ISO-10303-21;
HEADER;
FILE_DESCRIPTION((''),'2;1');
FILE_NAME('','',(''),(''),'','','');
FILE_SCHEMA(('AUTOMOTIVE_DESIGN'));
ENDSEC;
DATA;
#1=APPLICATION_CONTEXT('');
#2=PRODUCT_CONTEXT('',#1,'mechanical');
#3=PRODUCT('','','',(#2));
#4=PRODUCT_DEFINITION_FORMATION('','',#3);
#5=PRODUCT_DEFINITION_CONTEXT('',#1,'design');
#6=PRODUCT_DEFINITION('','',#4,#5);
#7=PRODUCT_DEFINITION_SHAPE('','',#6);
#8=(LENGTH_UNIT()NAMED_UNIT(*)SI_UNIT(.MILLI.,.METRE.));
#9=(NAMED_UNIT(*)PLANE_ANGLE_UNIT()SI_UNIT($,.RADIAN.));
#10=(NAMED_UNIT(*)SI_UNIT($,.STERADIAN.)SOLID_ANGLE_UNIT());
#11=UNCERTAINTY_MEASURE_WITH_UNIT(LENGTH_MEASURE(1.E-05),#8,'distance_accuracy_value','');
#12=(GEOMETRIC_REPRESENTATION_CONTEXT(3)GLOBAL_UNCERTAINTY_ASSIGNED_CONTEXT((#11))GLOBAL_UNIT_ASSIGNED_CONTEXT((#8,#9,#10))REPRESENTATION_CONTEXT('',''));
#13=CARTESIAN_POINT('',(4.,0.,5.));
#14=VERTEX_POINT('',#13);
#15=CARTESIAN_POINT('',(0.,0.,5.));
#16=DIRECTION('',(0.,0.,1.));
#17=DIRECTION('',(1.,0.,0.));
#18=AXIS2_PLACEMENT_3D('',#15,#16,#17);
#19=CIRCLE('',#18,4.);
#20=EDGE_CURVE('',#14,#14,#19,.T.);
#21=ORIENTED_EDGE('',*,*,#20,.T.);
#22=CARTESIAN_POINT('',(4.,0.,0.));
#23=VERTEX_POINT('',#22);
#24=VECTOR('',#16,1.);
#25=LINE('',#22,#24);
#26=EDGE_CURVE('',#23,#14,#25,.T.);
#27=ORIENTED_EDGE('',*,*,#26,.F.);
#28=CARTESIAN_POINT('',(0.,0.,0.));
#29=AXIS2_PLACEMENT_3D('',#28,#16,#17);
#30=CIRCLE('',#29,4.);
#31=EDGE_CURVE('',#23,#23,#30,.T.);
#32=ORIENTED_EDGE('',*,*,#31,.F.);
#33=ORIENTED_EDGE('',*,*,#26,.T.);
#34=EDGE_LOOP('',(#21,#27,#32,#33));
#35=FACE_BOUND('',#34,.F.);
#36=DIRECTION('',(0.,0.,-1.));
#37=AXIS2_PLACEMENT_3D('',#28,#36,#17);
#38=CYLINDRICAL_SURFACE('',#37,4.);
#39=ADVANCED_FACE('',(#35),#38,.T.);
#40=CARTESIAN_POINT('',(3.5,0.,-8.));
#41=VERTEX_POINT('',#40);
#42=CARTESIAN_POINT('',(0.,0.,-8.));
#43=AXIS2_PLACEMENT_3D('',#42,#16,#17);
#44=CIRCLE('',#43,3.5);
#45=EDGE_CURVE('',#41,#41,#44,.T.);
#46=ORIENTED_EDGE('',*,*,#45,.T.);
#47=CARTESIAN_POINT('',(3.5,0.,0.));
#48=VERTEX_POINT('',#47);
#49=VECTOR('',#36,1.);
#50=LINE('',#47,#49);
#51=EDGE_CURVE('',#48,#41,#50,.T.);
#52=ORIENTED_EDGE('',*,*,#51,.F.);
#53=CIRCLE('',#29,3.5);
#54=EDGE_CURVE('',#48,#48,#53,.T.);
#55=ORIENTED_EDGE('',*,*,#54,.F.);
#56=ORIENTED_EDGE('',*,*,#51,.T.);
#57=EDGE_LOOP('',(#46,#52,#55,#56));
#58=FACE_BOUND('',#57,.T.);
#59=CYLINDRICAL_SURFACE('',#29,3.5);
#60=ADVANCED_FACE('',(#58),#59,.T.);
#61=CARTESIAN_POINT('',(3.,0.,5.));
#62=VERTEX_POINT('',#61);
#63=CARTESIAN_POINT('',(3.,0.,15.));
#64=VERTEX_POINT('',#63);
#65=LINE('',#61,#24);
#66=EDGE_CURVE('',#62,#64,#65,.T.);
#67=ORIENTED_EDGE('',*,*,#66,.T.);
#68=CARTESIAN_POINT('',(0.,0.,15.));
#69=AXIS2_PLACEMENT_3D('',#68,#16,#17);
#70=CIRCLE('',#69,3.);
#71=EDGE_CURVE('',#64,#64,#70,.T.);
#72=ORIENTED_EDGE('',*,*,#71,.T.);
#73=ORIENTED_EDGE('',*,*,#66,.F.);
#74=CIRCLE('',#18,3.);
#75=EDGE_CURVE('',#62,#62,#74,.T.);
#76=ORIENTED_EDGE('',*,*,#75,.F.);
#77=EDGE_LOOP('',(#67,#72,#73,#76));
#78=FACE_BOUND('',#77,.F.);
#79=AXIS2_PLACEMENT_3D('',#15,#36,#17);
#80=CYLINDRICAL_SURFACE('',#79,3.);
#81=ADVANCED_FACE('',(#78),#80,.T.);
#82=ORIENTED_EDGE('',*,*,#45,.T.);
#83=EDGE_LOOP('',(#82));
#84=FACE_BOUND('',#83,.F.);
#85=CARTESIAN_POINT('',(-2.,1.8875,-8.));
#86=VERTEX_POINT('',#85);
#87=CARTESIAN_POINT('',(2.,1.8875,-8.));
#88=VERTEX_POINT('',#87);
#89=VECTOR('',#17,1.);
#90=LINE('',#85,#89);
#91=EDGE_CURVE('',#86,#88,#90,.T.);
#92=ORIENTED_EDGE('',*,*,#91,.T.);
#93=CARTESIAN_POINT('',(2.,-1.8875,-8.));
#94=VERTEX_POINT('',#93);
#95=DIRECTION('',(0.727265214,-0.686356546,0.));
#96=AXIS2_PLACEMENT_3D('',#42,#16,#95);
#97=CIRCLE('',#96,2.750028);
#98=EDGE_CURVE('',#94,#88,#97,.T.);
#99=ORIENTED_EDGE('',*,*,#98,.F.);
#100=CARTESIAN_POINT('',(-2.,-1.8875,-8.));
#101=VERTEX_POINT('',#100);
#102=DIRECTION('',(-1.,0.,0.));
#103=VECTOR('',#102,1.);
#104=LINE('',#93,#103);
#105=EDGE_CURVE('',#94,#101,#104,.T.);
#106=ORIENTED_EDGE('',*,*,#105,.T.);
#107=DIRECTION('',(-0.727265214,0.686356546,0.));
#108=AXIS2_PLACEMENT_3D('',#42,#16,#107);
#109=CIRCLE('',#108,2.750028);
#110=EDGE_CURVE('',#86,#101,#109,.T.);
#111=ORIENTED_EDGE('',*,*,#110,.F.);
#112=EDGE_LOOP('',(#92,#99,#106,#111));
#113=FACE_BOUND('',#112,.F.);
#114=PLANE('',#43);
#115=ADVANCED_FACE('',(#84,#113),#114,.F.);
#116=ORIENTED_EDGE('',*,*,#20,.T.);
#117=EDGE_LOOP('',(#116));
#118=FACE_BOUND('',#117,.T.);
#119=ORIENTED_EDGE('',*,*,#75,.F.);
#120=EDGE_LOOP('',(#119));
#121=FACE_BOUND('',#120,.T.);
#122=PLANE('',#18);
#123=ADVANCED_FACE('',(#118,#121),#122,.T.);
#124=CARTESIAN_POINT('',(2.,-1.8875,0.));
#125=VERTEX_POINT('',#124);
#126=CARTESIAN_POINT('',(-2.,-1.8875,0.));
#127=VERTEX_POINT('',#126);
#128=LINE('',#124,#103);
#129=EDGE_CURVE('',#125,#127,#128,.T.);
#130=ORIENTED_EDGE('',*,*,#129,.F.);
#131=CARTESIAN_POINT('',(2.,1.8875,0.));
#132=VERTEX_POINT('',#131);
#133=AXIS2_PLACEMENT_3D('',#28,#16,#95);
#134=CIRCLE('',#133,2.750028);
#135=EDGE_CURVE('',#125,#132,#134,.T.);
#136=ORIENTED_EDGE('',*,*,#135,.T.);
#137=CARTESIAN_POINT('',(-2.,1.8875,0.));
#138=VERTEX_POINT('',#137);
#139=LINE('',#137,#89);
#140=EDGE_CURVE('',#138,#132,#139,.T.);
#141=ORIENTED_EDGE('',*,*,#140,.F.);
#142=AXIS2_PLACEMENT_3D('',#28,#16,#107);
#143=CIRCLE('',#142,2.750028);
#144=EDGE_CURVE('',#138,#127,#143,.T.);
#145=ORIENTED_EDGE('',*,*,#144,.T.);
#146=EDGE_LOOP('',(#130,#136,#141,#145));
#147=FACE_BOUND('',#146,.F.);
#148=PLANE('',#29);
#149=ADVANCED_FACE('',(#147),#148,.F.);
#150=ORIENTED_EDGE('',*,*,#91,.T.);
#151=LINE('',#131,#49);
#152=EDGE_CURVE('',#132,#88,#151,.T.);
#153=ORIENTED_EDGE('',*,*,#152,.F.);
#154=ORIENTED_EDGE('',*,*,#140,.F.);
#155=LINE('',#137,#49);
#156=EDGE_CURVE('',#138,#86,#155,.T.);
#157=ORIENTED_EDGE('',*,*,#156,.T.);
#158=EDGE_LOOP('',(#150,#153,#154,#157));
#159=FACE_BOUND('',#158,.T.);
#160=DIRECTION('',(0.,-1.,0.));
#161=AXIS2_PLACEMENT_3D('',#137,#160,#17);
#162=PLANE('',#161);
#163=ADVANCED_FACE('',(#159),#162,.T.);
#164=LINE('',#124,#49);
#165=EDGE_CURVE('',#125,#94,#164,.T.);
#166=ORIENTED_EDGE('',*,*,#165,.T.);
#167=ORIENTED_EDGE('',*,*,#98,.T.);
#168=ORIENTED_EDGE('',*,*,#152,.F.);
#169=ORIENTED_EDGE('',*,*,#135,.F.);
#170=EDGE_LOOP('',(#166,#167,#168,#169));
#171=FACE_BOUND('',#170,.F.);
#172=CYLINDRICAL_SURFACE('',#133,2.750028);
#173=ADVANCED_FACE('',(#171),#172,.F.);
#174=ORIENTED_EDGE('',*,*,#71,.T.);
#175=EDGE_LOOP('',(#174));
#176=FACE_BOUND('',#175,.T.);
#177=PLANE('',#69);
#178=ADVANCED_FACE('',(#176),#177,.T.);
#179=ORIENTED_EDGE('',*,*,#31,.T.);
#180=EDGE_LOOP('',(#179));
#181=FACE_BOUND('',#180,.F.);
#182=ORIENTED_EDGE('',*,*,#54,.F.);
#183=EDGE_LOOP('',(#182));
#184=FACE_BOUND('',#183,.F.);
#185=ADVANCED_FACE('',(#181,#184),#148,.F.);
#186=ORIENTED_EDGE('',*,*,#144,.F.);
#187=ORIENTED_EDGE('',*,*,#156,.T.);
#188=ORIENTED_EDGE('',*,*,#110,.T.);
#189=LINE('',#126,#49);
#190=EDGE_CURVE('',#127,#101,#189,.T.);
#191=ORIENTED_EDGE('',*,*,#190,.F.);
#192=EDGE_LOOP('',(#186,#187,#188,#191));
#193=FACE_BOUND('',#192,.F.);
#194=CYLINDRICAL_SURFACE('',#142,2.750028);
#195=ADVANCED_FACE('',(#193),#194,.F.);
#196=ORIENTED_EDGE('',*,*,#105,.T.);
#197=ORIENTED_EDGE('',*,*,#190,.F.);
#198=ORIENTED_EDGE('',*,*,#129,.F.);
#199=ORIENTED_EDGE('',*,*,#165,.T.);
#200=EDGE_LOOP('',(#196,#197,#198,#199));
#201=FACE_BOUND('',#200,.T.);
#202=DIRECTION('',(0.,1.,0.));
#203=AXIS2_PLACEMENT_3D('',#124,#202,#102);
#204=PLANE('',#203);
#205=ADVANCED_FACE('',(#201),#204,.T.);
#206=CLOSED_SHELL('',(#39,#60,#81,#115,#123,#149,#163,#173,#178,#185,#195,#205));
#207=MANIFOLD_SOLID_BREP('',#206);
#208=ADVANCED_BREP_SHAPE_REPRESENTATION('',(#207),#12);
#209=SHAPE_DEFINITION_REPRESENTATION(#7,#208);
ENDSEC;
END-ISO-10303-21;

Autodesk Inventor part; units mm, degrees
ref_plane "YZ Plane" through (0, 0, 0) normal (1, 0, 0) x (0, 1, 0)
ref_plane "XZ Plane" through (0, 0, 0) normal (0, 1, 0) x (-1, 0, 0)
ref_plane "XY Plane" through (0, 0, 0) normal (0, 0, 1) x (1, 0, 0)
sketch "スケッチ1" plane through (0, 0, 0) normal (0, 0, 1) x (1, 0, 0)
  arc A0 (-2, 1.8875) -> (-2, -1.8875) centre (0, 0) ccw projected
  line L0 (-2, 1.8875) -> (2, 1.8875) projected
  line L1 (2, -1.8875) -> (-2, -1.8875) projected
  arc A1 (2, -1.8875) -> (2, 1.8875) centre (0, 0) ccw projected
  circle A2 centre (0, 0) radius 3.5
  point P0 (0, 0)
  dimension "d0" = 7
extrude "押し出し1" add sketch "スケッチ1" against normal blind 8
sketch "スケッチ2" plane through (0, 0, 0) normal (0, 0, 1) x (1, 0, 0)
  circle A0 centre (0, 0) radius 3.5 projected
  circle A1 centre (0, 0) radius 4
  point P0 (0, 0)
  dimension "d3" = 8
extrude "押し出し2" add sketch "スケッチ2" along normal blind 5 contours A0 | A1
sketch "スケッチ3" plane through (0, 0, 5) normal (0, 0, 1) x (1, 0, 0)
  circle A0 centre (0, 0) radius 3
  dimension "d6" = 6
extrude "押し出し3" add sketch "スケッチ3" along normal blind 10
properties part number "カップリング"
